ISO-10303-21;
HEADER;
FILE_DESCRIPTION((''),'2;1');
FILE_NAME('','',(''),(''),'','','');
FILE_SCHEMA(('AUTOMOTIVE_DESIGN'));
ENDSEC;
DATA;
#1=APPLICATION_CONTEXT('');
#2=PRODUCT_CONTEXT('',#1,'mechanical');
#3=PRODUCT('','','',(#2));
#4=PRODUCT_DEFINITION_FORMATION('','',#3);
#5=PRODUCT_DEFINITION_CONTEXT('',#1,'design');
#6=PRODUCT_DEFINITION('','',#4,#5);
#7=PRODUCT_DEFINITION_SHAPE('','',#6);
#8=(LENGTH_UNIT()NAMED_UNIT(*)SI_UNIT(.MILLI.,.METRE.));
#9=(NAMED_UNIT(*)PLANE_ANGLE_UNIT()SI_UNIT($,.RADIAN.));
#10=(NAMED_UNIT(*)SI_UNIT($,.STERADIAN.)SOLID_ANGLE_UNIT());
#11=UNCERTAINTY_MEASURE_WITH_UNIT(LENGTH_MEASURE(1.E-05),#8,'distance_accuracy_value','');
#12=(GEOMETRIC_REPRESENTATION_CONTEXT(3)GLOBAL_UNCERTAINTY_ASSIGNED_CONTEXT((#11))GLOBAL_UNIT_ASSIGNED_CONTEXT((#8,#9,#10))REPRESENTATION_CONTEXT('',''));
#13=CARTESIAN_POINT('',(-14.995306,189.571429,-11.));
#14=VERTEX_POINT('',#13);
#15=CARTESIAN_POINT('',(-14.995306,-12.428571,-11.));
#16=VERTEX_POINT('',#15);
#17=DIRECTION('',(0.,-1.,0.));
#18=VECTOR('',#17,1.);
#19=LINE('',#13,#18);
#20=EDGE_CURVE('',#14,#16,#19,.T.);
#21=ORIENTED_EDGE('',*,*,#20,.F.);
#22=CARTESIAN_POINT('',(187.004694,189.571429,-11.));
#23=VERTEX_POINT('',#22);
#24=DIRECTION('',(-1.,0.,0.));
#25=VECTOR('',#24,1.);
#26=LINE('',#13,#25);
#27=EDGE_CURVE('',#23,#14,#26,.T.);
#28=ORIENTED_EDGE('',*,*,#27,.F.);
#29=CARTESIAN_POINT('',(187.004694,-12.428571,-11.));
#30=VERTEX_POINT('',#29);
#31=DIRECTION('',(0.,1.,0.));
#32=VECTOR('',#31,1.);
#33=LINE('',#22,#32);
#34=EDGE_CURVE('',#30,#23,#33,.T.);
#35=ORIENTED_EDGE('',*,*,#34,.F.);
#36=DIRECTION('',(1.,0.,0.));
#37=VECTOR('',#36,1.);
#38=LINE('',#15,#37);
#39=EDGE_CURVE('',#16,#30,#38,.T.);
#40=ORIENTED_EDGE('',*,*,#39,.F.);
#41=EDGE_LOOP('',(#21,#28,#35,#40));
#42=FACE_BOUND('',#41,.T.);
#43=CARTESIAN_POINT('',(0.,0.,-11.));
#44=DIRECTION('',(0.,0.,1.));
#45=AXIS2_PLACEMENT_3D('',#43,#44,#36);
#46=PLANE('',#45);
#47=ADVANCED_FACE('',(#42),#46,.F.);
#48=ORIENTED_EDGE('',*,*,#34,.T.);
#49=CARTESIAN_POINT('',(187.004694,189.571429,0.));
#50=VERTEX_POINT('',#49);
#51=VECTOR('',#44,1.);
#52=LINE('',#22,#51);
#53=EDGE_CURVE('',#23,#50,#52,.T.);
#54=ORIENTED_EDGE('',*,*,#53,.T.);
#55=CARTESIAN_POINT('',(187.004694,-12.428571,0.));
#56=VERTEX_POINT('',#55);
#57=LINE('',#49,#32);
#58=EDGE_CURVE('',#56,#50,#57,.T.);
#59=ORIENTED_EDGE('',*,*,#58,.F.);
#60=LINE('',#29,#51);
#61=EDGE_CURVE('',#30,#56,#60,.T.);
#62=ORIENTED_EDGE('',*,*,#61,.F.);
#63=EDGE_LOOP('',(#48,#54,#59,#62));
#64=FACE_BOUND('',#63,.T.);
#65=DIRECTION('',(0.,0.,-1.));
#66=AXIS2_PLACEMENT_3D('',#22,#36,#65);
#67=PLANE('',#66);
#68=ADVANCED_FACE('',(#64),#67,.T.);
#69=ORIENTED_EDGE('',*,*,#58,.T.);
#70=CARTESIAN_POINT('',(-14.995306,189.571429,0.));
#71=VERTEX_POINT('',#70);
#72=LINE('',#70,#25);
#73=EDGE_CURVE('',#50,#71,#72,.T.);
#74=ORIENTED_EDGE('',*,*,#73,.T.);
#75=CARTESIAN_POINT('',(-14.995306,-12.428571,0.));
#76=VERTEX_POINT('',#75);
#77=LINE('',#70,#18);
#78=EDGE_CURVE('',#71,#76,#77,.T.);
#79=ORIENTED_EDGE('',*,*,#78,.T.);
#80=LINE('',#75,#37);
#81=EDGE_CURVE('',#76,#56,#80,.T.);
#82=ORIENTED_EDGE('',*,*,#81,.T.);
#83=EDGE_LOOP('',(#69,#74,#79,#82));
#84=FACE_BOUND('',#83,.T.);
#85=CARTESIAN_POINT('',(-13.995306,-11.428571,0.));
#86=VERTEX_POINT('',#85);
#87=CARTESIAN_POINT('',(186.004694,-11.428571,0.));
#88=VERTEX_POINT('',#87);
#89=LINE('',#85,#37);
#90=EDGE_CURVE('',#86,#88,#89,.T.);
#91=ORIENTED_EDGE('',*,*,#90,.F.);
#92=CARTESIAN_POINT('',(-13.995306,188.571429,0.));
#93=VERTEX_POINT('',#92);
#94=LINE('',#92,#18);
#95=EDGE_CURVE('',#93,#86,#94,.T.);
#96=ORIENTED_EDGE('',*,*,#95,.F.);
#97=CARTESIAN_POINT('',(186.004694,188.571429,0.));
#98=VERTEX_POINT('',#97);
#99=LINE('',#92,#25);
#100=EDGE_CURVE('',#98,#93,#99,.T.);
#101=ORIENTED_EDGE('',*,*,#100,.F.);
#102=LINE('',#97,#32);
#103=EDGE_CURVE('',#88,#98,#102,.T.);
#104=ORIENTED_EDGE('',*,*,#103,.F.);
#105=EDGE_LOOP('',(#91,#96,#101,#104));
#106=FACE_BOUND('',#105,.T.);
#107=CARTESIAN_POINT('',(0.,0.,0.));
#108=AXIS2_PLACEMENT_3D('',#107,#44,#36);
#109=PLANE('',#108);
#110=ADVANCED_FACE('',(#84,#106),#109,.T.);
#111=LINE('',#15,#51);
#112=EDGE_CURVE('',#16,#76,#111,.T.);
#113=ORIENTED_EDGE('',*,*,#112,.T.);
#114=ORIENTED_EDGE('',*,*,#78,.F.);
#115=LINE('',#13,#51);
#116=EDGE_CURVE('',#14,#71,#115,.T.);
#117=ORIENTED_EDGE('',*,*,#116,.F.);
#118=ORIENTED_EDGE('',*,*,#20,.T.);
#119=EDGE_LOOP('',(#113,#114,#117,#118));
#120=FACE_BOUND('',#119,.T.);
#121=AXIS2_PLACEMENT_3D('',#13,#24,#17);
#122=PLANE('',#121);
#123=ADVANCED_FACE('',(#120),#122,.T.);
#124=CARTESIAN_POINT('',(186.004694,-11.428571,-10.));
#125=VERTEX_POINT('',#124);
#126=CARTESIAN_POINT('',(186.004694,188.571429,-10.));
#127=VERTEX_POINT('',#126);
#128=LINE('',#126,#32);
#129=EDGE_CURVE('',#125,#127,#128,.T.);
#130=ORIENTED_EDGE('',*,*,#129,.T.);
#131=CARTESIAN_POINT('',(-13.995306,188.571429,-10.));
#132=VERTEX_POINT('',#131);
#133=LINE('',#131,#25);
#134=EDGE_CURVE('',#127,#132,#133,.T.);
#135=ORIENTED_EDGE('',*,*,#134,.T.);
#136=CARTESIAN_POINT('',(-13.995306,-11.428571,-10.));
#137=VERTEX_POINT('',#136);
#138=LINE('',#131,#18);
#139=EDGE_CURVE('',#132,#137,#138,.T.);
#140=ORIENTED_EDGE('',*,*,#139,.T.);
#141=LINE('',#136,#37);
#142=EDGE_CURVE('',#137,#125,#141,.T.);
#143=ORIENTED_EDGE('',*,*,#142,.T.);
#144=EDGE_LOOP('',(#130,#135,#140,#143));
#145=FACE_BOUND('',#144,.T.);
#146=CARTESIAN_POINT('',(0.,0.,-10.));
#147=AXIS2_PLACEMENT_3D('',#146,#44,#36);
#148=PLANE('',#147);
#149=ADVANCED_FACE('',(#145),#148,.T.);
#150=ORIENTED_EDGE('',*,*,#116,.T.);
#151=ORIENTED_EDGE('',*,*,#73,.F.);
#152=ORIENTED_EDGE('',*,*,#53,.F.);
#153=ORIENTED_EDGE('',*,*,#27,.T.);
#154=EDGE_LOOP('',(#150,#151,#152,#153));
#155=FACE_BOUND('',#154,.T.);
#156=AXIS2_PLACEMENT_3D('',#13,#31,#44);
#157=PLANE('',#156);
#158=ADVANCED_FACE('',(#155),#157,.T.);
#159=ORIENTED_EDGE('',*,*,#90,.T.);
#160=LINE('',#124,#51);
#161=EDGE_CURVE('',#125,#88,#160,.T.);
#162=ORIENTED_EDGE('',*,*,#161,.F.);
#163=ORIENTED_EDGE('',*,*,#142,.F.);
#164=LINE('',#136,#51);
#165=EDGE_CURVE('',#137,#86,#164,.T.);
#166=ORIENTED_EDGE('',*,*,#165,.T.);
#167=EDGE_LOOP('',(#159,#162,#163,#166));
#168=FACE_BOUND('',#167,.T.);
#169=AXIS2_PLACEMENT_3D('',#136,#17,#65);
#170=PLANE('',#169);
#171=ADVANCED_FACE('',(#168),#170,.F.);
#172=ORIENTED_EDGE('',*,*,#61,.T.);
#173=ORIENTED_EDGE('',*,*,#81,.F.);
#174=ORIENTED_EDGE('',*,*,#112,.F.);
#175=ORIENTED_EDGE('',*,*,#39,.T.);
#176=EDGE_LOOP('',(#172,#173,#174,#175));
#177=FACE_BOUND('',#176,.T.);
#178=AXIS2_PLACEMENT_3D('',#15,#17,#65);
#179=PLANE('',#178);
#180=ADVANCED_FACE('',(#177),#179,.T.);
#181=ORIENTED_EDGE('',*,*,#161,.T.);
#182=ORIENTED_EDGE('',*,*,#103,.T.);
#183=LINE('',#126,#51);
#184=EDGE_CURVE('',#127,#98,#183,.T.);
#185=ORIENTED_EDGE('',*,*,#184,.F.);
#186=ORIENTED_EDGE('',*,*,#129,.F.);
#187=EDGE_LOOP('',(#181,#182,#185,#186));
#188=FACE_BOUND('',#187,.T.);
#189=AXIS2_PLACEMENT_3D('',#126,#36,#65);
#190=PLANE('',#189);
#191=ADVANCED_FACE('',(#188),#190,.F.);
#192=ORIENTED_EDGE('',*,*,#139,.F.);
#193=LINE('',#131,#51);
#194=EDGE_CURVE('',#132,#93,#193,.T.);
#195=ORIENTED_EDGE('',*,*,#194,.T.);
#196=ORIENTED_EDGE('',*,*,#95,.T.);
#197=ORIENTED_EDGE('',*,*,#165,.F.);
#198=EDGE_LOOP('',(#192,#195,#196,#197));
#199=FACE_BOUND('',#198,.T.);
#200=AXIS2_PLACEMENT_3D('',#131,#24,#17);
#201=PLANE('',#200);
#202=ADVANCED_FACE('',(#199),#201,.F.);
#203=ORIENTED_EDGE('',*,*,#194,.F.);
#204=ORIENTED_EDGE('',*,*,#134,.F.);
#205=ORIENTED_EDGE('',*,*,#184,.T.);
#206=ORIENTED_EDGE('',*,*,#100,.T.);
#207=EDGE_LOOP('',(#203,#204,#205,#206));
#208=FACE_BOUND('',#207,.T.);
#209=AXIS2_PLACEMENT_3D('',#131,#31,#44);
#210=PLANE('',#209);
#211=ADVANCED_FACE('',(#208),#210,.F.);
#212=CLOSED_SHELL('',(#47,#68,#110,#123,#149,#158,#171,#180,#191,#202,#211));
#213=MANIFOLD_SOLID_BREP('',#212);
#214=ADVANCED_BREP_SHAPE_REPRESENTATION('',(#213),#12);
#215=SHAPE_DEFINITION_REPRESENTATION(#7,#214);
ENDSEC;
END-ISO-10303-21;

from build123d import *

# Parameters (mm, degrees)
SKETCH_2_W      = 202
SKETCH_2_H      = 202
EXTRUDE_1_DEPTH = 11
SKETCH_1_W      = 200
SKETCH_1_H      = 200
EXTRUDE_2_DEPTH = 10


with BuildPart() as part:
    # 草图2 → 凸台-拉伸1 (new body)
    with BuildSketch(Plane.XY):
        with Locations((86.004694039, 88.571428571)):
            Rectangle(SKETCH_2_W, SKETCH_2_H)
    extrude(amount=-EXTRUDE_1_DEPTH)


with BuildPart() as body_2:
    # 草图1 → 凸台-拉伸2 (new body)
    with BuildSketch(Plane.XY):
        with Locations((86.004694039, 88.571428571)):
            Rectangle(SKETCH_1_W, SKETCH_1_H)
    extrude(amount=-EXTRUDE_2_DEPTH)


with BuildPart() as part_1:
    add(part.part)

    # Combine 1: cut body 2
    add(body_2.part, mode=Mode.SUBTRACT)


solid = part_1.part
